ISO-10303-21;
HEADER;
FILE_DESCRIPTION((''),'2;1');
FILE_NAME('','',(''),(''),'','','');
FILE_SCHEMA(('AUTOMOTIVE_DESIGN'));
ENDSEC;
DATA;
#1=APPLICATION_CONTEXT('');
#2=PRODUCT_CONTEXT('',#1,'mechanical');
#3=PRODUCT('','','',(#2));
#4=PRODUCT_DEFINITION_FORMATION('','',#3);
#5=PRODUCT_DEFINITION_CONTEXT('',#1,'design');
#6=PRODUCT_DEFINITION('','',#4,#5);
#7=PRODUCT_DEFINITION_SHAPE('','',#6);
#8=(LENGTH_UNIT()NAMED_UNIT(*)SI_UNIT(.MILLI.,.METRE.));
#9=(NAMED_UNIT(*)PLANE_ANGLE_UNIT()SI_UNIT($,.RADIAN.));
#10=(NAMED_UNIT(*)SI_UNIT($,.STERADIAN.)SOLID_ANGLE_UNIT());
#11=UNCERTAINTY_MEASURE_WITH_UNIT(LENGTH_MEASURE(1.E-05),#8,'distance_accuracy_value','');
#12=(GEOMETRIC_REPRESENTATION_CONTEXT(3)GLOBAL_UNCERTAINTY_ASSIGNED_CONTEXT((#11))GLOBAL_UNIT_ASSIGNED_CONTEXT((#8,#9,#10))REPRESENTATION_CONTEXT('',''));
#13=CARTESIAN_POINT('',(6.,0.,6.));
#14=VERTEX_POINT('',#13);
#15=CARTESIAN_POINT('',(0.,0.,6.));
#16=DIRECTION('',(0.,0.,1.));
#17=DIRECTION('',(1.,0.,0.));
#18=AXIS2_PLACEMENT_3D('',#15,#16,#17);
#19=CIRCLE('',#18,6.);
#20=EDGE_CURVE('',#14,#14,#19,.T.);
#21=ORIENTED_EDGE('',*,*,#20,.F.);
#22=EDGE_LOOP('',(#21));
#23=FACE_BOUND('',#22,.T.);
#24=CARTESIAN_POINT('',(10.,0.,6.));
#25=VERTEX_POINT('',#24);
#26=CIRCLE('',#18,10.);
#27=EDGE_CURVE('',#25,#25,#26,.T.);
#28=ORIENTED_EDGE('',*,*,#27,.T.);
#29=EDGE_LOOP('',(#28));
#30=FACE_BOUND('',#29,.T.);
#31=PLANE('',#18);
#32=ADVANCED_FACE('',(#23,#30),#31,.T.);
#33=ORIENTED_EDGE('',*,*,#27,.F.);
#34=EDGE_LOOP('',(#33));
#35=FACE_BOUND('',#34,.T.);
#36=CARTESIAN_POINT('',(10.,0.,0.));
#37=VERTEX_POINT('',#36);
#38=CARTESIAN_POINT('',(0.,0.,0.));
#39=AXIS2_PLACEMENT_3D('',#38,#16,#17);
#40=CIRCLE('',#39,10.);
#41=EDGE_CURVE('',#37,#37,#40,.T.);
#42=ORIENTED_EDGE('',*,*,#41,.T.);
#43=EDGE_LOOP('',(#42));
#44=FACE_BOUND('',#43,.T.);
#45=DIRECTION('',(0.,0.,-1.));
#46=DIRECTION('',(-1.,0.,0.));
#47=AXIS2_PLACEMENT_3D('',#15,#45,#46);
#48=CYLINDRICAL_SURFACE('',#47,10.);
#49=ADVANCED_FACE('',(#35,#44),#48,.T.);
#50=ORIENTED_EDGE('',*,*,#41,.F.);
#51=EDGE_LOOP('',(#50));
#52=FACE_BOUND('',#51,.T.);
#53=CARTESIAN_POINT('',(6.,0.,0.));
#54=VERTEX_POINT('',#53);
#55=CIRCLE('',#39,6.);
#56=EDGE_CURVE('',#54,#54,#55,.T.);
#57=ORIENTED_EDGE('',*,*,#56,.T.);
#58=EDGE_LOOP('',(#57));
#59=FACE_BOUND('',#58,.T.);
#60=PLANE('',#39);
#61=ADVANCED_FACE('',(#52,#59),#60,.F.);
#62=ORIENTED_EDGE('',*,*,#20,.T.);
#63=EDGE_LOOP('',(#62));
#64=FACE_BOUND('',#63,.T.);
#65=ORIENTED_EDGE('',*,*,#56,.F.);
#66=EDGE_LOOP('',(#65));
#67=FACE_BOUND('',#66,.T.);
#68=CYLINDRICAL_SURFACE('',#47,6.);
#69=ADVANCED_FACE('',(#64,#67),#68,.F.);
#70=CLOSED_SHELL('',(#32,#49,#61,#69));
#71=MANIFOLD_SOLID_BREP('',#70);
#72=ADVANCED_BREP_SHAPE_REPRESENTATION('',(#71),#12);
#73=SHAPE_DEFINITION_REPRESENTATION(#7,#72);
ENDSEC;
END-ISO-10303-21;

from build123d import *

# Parameters (mm, degrees)
ESQUISSE1_R          = 10
ESQUISSE1_R_2        = 6
BASE_EXTRUSION_DEPTH = 6


with BuildPart() as part:
    # Esquisse1 → Base-Extrusion (new body)
    with BuildSketch(Plane.XY):
        Circle(ESQUISSE1_R)
        Circle(ESQUISSE1_R_2, mode=Mode.SUBTRACT)
    extrude(amount=BASE_EXTRUSION_DEPTH)


solid = part.part
